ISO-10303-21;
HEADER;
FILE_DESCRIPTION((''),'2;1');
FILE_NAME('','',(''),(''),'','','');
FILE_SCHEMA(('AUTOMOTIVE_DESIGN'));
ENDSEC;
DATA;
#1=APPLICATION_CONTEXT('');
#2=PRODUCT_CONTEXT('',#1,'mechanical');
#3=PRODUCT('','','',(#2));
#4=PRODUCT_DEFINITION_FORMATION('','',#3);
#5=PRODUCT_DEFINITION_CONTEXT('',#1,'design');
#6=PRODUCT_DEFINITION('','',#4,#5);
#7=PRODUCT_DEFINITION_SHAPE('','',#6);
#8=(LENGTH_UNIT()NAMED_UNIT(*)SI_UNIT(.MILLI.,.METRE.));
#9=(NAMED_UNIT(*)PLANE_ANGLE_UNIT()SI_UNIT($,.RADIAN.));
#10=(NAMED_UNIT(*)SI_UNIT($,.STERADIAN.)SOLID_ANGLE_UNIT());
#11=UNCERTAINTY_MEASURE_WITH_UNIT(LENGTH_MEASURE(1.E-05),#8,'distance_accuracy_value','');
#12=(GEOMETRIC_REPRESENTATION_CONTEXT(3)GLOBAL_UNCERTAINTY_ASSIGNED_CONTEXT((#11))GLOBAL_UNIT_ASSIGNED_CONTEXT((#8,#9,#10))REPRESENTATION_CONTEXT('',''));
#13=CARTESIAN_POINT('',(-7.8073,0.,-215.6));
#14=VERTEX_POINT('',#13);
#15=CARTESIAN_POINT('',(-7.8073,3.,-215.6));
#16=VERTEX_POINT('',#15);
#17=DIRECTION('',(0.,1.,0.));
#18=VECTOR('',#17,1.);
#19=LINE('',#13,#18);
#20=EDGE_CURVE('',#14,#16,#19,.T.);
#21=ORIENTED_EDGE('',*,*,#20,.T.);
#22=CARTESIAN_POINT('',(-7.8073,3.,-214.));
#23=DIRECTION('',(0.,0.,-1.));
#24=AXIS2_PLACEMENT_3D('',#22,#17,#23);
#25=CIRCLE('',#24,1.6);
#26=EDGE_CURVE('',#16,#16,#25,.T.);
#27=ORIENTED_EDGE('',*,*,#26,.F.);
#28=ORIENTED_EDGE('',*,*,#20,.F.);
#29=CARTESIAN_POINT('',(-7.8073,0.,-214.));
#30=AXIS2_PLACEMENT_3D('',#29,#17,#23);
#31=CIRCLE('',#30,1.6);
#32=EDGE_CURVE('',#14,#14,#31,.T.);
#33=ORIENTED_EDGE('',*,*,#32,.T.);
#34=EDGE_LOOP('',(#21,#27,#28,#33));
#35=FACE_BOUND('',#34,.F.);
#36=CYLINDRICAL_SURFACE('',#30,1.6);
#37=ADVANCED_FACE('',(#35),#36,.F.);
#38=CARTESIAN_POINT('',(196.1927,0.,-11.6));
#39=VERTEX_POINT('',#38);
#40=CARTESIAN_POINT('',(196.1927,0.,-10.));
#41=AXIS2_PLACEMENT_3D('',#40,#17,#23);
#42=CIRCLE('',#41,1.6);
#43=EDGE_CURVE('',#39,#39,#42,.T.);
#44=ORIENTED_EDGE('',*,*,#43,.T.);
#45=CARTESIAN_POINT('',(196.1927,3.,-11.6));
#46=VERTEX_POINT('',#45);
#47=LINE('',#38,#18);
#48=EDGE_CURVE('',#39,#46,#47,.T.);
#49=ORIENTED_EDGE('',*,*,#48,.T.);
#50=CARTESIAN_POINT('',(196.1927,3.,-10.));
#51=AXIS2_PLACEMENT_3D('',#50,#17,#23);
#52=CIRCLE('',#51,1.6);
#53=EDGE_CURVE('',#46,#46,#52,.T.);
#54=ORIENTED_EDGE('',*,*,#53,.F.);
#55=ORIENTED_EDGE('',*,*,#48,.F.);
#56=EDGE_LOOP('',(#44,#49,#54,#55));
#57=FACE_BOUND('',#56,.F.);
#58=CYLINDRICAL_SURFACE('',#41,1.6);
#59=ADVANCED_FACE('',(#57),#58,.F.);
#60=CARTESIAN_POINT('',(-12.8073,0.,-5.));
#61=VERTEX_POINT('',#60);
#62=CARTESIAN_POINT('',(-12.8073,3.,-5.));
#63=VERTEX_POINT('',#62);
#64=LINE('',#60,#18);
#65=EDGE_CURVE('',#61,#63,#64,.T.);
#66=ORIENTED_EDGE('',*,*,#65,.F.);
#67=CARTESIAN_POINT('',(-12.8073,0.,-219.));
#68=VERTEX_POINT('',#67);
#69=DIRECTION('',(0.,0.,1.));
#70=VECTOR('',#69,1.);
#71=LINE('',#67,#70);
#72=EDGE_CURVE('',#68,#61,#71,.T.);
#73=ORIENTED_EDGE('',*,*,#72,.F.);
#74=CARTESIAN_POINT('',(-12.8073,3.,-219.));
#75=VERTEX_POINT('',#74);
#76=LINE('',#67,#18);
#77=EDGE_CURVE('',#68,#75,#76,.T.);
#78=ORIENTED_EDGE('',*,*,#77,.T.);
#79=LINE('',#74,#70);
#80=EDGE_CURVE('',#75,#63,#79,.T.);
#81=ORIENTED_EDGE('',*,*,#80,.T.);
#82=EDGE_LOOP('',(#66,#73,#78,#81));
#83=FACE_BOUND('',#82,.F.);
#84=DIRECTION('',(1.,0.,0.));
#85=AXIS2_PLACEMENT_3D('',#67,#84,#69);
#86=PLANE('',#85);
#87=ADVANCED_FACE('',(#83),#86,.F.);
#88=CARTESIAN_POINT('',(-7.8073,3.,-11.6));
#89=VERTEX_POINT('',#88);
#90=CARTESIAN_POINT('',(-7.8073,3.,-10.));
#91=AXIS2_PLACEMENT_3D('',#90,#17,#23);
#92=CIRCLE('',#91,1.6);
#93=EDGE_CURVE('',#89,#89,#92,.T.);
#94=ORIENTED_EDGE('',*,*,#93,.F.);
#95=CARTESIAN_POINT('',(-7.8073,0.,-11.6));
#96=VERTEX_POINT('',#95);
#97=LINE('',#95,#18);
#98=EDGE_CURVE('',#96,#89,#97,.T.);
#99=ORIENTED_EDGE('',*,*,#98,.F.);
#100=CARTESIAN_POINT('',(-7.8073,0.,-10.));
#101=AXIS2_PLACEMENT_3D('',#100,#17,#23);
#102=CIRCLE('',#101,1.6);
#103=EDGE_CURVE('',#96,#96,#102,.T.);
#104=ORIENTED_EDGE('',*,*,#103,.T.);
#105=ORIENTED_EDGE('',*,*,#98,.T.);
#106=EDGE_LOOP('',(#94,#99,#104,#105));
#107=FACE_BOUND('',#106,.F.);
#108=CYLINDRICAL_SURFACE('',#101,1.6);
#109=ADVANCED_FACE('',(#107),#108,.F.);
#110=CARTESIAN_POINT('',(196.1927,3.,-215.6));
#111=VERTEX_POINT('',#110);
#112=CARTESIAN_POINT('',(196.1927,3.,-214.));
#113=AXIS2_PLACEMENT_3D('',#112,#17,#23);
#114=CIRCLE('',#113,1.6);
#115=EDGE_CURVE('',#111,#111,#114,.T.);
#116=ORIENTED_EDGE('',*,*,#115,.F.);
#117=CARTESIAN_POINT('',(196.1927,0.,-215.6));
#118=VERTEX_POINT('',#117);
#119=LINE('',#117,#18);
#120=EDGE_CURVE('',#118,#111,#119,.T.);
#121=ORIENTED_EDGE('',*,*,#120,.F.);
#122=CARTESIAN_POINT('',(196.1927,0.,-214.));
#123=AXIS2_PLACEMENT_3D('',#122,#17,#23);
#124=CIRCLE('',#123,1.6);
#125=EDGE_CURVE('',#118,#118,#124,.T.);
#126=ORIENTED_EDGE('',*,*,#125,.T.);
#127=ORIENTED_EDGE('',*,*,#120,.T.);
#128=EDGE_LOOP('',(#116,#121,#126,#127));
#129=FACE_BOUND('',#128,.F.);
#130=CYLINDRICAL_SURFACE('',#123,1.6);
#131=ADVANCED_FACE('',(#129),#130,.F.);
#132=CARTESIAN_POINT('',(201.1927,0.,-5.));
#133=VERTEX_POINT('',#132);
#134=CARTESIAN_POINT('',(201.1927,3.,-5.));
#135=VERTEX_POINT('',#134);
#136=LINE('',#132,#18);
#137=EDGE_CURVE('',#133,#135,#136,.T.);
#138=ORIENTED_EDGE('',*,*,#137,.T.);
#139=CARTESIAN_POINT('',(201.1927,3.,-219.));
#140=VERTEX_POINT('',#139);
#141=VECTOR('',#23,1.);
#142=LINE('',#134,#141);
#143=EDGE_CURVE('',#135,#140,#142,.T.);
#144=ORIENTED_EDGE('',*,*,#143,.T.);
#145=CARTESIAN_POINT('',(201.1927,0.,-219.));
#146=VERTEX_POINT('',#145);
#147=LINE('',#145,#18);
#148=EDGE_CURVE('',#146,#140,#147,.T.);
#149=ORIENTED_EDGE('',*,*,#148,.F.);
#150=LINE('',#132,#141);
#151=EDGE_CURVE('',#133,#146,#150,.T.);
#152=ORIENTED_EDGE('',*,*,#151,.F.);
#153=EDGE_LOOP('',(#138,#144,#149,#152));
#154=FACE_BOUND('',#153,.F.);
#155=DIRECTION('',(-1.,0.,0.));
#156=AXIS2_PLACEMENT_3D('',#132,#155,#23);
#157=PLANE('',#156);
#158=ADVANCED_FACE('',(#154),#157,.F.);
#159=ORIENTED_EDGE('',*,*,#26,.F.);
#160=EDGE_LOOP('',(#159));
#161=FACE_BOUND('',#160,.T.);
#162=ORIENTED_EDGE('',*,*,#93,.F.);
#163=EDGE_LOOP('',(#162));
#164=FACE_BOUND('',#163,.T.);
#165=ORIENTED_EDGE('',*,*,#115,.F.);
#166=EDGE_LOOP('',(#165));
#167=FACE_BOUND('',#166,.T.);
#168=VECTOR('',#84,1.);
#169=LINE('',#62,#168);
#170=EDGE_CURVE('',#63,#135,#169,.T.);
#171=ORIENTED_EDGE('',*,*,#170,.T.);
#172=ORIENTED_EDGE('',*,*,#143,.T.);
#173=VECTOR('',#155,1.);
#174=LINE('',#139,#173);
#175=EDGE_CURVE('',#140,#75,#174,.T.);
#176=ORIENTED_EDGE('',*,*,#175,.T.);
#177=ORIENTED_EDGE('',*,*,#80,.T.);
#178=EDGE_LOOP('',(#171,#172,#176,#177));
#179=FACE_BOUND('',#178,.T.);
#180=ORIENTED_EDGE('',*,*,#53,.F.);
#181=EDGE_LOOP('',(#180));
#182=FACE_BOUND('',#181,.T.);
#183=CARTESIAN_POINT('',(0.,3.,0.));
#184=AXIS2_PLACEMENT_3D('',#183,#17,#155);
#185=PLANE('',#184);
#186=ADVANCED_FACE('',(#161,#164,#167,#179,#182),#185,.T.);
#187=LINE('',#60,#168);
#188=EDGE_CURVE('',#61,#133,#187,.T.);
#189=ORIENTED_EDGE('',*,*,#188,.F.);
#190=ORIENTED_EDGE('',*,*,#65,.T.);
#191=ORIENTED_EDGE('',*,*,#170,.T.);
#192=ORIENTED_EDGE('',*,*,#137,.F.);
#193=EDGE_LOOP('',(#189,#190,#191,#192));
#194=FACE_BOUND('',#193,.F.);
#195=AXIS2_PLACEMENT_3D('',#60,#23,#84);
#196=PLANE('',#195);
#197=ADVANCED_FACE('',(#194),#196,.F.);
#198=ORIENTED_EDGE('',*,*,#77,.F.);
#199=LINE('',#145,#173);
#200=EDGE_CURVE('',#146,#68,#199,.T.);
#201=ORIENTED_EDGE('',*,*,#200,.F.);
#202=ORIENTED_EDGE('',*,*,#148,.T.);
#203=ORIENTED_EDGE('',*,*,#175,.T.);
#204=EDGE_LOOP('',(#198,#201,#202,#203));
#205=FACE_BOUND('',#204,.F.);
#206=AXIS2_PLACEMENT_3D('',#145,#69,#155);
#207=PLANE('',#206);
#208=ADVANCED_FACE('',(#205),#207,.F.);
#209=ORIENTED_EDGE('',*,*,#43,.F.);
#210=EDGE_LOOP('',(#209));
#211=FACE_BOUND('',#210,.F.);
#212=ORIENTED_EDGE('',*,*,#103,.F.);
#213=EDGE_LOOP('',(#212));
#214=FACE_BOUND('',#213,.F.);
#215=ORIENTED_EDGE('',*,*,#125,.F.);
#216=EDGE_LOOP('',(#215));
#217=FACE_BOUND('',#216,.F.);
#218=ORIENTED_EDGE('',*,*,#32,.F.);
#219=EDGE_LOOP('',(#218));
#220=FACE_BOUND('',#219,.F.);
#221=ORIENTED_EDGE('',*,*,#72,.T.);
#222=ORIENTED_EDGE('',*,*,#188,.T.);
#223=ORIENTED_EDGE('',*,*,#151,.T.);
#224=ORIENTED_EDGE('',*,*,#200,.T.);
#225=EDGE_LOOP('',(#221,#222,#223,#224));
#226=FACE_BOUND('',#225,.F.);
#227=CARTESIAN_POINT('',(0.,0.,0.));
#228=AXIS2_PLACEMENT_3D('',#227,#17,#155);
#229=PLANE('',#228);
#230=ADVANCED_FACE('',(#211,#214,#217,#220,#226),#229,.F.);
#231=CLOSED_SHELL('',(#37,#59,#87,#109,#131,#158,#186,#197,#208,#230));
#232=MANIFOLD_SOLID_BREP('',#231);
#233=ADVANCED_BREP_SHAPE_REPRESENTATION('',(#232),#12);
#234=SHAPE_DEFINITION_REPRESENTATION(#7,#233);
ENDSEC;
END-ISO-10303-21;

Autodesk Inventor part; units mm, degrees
ref_plane "YZ Plane" through (0, 0, 0) normal (1, 0, 0) x (0, 1, 0)
ref_plane "XZ Plane" through (0, 0, 0) normal (0, 1, 0) x (-1, 0, 0)
ref_plane "XY Plane" through (0, 0, 0) normal (0, 0, 1) x (1, 0, 0)
sketch "Sketch1" plane through (0, 0, 0) normal (0, 1, 0) x (-1, 0, 0)
  line L0 (12.8073, -5) -> (-201.1927, -5)
  line L1 (-201.1927, -5) -> (-201.1927, -219)
  line L2 (-201.1927, -219) -> (12.8073, -219)
  line L3 (12.8073, -219) -> (12.8073, -5)
  line L4 (-194.2832, -13.9005) -> (3.3163, -13.9005) construction
  line L5 (3.3163, -13.9005) -> (3.3163, -210.6364) construction
  line L6 (3.3163, -210.6364) -> (-194.2832, -210.6364) construction
  line L7 (-194.2832, -210.6364) -> (-194.2832, -13.9005) construction
  point P0 (0, 0)
  point P1 (7.8073, -10)
  point P2 (7.8073, -214)
  point P3 (-196.1927, -214)
  point P4 (-196.1927, -10)
  dimension "d0" = 214
  dimension "d1" = 214
  dimension "d2" = 209
  dimension "d3" = 5
  dimension "d4" = 5
  dimension "d5" = 5
  dimension "d6" = 5
  dimension "d7" = 5
  dimension "d8" = 5
  dimension "d9" = 5
extrude "Extrusion1" add sketch "Sketch1" along normal blind 3
hole "Hole1" at (-7.8073, 0, -10) at (-7.8073, 0, -214) at (196.1927, 0, -214) at (196.1927, 0, -10) direction (0, 1, 0) diameter 3.2 end through all
properties part number "HeatedBed"
